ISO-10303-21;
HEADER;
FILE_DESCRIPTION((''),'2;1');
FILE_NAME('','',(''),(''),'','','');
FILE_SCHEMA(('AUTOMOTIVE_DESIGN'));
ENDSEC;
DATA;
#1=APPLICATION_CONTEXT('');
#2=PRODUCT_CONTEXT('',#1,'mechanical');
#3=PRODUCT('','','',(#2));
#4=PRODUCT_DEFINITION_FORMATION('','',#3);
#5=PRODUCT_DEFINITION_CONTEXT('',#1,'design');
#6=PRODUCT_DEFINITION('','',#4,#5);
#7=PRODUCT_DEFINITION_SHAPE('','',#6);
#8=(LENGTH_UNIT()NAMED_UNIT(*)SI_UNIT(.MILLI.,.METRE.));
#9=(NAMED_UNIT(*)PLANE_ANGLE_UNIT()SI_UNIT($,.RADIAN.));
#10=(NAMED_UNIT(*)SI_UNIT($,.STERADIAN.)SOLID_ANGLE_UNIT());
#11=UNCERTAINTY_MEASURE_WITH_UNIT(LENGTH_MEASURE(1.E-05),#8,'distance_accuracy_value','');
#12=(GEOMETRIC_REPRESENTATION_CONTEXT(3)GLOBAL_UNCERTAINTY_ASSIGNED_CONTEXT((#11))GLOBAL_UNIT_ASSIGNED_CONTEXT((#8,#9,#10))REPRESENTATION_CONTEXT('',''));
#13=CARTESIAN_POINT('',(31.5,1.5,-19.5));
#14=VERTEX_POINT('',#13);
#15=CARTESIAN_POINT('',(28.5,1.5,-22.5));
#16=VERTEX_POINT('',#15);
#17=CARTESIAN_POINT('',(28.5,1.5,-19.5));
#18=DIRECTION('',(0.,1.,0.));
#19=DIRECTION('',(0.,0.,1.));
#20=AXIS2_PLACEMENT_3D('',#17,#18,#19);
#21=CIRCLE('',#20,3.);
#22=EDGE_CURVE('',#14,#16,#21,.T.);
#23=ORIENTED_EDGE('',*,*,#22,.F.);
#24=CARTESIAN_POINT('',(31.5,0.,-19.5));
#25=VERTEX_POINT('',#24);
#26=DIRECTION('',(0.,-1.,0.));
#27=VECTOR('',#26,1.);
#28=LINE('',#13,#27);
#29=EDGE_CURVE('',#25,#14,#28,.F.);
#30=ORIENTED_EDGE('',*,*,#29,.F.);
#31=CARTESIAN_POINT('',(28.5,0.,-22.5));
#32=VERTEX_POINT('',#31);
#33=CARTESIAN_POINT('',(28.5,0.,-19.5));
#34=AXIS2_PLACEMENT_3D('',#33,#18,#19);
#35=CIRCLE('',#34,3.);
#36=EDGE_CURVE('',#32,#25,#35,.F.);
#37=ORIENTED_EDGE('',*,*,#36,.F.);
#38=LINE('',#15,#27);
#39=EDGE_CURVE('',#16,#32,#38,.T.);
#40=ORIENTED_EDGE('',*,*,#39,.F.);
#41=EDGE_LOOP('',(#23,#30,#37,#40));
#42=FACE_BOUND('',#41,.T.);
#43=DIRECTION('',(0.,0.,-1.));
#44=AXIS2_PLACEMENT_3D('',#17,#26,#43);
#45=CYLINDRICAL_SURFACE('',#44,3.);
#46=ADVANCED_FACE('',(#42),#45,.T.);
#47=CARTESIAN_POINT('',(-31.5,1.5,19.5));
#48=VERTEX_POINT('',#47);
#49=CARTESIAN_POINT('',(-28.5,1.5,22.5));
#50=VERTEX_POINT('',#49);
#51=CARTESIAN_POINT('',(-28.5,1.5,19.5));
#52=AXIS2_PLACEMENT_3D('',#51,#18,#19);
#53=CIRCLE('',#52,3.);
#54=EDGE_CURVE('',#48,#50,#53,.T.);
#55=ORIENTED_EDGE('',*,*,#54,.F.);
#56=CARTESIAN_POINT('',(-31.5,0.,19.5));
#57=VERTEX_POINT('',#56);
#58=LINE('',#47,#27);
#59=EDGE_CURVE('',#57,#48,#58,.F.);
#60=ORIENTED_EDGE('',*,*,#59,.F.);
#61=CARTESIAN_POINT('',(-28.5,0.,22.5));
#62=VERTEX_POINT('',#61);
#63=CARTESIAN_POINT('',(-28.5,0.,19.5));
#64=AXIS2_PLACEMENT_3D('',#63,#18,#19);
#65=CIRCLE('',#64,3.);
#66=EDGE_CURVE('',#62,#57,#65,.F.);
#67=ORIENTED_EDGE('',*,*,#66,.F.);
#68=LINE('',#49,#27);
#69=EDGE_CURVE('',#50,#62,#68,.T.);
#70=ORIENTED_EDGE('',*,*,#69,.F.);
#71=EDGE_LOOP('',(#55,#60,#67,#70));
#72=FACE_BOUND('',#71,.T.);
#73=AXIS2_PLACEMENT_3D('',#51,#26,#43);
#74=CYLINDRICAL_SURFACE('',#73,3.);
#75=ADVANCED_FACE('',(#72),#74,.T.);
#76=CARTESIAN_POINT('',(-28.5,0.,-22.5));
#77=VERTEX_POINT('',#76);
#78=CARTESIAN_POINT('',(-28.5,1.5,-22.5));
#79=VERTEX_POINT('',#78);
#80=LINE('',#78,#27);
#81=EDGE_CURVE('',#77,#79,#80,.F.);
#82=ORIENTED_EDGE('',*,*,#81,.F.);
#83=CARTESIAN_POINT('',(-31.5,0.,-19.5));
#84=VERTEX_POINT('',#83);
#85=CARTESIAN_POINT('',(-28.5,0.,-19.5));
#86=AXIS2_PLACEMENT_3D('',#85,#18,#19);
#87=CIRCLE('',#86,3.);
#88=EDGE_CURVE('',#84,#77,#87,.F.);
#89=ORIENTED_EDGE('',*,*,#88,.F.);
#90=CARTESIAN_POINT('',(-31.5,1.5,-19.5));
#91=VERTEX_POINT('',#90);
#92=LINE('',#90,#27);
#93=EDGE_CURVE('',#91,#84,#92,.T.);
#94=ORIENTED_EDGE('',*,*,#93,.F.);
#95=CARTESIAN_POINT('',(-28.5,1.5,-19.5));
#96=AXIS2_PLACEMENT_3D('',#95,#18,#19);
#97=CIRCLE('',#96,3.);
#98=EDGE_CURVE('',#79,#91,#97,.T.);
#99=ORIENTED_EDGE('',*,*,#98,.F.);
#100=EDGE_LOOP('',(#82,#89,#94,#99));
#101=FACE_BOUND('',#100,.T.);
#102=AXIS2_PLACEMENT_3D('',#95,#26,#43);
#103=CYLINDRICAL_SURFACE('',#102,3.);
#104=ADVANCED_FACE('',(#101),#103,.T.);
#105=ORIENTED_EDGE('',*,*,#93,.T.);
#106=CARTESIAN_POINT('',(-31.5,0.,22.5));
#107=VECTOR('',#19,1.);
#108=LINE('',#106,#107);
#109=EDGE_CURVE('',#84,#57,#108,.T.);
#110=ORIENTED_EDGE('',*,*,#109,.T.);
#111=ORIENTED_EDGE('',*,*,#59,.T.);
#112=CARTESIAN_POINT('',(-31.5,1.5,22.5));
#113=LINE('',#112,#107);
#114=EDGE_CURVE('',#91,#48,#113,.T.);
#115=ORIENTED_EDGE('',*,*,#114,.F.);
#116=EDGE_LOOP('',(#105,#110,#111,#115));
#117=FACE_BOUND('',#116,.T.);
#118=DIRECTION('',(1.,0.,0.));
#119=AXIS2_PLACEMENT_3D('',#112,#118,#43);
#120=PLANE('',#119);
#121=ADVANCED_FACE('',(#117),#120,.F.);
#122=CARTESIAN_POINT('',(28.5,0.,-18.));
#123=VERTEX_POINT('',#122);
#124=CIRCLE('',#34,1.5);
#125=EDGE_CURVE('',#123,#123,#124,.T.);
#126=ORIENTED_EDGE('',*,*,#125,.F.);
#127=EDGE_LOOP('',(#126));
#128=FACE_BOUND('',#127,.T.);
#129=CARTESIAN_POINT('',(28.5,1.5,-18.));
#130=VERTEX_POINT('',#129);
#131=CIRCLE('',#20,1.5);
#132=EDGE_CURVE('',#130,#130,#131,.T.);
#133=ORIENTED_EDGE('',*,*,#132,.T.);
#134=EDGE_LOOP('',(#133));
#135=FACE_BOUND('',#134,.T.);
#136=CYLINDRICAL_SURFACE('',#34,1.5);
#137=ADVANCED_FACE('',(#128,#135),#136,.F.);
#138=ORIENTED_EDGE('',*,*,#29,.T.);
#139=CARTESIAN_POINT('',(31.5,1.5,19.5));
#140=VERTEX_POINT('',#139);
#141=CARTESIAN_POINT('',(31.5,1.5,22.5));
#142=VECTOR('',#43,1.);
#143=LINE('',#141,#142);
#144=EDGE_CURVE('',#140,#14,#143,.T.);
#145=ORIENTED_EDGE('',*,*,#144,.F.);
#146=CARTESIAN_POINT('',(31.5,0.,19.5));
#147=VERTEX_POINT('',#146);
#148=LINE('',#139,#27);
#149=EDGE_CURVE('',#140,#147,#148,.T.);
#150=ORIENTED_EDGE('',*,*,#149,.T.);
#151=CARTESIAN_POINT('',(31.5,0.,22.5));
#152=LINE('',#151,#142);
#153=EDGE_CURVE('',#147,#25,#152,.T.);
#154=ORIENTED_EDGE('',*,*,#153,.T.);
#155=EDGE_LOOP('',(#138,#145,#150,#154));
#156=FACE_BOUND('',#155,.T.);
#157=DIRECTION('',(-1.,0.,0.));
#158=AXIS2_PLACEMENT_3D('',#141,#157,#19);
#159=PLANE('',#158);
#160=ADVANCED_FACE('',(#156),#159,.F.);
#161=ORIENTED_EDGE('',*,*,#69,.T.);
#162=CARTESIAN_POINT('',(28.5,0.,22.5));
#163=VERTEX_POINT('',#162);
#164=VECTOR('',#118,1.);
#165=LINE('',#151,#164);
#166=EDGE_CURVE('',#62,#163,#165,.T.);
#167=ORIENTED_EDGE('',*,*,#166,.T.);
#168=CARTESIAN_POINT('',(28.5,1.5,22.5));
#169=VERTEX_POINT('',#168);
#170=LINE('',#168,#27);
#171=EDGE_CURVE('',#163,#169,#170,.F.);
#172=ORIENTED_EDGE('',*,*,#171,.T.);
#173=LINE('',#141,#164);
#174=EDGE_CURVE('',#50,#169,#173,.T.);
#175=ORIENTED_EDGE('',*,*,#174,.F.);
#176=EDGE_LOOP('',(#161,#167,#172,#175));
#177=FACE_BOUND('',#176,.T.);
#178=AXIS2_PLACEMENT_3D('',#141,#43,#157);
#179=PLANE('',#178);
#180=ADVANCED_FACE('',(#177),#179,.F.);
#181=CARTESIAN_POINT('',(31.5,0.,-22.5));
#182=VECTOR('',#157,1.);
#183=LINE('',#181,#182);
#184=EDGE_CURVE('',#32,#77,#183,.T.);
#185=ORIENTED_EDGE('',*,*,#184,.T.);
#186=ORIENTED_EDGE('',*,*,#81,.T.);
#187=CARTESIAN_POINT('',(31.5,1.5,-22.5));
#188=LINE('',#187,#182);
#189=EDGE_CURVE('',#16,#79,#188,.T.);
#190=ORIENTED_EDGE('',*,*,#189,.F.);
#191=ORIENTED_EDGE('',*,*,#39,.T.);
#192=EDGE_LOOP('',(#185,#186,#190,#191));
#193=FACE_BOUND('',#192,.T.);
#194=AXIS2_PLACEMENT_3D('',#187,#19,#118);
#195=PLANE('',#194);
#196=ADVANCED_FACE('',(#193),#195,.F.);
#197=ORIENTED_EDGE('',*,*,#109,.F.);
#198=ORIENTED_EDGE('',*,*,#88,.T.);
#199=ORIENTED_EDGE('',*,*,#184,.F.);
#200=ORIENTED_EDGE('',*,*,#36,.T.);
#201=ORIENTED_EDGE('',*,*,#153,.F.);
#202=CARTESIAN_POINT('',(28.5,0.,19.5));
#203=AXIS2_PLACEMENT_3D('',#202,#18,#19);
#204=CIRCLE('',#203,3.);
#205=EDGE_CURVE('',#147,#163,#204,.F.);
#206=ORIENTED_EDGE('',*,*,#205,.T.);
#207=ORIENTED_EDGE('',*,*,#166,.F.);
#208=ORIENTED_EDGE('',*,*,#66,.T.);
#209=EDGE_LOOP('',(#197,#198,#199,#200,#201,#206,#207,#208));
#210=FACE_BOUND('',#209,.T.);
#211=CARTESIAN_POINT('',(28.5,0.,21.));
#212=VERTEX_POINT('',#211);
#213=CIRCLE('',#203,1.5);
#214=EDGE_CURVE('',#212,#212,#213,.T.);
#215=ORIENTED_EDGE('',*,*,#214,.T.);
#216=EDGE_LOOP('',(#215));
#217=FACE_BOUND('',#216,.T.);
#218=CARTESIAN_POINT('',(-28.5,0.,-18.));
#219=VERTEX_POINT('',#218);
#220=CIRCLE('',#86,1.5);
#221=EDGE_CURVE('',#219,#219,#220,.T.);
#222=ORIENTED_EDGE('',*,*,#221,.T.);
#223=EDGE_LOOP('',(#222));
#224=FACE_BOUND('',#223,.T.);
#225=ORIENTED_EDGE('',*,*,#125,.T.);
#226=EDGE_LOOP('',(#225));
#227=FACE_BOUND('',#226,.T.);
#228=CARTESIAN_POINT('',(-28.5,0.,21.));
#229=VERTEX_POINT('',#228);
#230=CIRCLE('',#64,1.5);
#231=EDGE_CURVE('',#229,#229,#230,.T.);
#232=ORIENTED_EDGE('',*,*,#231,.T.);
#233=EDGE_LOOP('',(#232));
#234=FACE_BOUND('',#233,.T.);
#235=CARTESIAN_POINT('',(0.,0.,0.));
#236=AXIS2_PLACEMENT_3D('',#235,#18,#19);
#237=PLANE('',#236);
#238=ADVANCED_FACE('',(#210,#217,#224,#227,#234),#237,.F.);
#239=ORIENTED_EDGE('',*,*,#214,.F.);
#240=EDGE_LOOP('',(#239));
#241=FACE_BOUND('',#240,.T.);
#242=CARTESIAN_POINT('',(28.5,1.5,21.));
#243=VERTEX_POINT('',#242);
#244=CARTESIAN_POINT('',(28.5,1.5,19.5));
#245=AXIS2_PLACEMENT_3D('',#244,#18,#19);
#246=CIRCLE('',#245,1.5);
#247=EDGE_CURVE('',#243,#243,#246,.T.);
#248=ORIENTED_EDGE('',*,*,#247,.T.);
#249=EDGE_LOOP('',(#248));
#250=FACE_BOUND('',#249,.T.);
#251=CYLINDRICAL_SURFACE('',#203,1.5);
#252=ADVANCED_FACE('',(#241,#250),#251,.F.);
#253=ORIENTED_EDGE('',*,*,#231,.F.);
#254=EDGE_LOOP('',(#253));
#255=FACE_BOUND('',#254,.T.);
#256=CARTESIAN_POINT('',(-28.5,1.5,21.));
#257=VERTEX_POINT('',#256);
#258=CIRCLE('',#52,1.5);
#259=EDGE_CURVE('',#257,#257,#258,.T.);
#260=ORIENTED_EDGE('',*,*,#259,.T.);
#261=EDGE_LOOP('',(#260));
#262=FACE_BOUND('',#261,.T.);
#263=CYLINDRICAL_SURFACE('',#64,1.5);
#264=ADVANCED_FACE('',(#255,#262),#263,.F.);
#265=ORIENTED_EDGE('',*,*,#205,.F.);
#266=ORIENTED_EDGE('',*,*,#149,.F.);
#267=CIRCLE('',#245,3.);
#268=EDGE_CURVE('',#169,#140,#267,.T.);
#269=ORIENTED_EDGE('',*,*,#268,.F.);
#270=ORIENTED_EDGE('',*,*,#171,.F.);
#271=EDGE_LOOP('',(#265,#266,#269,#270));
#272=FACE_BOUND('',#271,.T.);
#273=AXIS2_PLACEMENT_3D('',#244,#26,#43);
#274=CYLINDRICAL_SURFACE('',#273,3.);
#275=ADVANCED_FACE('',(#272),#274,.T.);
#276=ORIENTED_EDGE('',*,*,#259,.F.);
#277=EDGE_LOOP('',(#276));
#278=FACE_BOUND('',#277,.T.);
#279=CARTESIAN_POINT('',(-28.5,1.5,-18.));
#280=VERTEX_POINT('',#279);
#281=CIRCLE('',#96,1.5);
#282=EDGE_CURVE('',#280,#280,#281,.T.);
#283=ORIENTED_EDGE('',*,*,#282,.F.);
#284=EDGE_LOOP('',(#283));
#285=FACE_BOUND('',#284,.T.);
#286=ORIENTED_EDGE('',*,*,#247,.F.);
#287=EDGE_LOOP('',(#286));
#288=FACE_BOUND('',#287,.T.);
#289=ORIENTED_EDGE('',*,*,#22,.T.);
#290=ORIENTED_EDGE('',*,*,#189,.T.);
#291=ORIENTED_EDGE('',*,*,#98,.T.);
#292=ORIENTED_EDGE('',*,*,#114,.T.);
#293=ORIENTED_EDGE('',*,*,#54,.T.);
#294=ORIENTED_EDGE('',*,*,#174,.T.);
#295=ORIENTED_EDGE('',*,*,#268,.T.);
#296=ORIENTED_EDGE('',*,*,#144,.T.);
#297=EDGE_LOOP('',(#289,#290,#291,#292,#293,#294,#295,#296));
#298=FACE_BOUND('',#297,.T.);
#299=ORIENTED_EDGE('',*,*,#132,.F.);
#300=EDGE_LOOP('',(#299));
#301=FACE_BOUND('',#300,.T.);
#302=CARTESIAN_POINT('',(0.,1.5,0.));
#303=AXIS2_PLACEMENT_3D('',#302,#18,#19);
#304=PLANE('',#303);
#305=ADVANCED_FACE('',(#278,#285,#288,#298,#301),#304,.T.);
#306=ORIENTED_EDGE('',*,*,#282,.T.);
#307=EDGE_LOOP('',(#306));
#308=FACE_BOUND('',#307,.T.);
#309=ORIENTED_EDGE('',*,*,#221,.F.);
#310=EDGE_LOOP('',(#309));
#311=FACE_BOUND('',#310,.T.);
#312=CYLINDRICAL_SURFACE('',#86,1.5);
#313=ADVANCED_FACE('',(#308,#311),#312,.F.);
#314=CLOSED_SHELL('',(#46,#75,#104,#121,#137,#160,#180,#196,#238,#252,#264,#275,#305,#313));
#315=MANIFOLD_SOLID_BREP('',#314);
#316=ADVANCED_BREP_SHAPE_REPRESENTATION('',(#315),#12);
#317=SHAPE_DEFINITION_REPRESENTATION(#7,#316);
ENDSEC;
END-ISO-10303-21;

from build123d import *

# Parameters (mm, degrees)
SKETCH_1_W          = 63
SKETCH_1_H          = 45
EXTRUDE_1_DEPTH     = 1.5
FILLET_1_R          = 3
SKETCH_2_R          = 1.5
CUT_EXTRUDE_1_DEPTH = 39.73951471


with BuildPart() as part:
    # Эскиз1 → Бобышка-Вытянуть1 (new body)
    with BuildSketch(Plane(origin=(0, 0, 0), x_dir=(1, 0, 0), z_dir=(0, 1, 0))):
        Rectangle(SKETCH_1_W, SKETCH_1_H)
    extrude(amount=EXTRUDE_1_DEPTH)

    # Скругление1
    fillet_1_edges = [part.edges().sort_by_distance(p)[0] for p in [
        (-31.5, 0.75, -22.5),
        (31.5, 0.75, -22.5),
        (31.5, 0.75, 22.5),
        (-31.5, 0.75, 22.5),
    ]]
    fillet(fillet_1_edges, radius=FILLET_1_R)

    # Эскиз2 → Вырез-Вытянуть1 (cut, through all)
    with BuildSketch(Plane(origin=(0, 1.5, 0), x_dir=(1, 0, 0), z_dir=(0, 1, 0))):
        with Locations(Location((-28.5, 19.5, 0), (0, 0, 270))):
            Circle(SKETCH_2_R)
        with Locations(Location((28.5, 19.5, 0), (0, 0, 270))):
            Circle(SKETCH_2_R)
        with Locations(Location((28.5, -19.5, 0), (0, 0, 270))):
            Circle(SKETCH_2_R)
        with Locations(Location((-28.5, -19.5, 0), (0, 0, 270))):
            Circle(SKETCH_2_R)
    extrude(amount=-CUT_EXTRUDE_1_DEPTH, mode=Mode.SUBTRACT)


solid = part.part
